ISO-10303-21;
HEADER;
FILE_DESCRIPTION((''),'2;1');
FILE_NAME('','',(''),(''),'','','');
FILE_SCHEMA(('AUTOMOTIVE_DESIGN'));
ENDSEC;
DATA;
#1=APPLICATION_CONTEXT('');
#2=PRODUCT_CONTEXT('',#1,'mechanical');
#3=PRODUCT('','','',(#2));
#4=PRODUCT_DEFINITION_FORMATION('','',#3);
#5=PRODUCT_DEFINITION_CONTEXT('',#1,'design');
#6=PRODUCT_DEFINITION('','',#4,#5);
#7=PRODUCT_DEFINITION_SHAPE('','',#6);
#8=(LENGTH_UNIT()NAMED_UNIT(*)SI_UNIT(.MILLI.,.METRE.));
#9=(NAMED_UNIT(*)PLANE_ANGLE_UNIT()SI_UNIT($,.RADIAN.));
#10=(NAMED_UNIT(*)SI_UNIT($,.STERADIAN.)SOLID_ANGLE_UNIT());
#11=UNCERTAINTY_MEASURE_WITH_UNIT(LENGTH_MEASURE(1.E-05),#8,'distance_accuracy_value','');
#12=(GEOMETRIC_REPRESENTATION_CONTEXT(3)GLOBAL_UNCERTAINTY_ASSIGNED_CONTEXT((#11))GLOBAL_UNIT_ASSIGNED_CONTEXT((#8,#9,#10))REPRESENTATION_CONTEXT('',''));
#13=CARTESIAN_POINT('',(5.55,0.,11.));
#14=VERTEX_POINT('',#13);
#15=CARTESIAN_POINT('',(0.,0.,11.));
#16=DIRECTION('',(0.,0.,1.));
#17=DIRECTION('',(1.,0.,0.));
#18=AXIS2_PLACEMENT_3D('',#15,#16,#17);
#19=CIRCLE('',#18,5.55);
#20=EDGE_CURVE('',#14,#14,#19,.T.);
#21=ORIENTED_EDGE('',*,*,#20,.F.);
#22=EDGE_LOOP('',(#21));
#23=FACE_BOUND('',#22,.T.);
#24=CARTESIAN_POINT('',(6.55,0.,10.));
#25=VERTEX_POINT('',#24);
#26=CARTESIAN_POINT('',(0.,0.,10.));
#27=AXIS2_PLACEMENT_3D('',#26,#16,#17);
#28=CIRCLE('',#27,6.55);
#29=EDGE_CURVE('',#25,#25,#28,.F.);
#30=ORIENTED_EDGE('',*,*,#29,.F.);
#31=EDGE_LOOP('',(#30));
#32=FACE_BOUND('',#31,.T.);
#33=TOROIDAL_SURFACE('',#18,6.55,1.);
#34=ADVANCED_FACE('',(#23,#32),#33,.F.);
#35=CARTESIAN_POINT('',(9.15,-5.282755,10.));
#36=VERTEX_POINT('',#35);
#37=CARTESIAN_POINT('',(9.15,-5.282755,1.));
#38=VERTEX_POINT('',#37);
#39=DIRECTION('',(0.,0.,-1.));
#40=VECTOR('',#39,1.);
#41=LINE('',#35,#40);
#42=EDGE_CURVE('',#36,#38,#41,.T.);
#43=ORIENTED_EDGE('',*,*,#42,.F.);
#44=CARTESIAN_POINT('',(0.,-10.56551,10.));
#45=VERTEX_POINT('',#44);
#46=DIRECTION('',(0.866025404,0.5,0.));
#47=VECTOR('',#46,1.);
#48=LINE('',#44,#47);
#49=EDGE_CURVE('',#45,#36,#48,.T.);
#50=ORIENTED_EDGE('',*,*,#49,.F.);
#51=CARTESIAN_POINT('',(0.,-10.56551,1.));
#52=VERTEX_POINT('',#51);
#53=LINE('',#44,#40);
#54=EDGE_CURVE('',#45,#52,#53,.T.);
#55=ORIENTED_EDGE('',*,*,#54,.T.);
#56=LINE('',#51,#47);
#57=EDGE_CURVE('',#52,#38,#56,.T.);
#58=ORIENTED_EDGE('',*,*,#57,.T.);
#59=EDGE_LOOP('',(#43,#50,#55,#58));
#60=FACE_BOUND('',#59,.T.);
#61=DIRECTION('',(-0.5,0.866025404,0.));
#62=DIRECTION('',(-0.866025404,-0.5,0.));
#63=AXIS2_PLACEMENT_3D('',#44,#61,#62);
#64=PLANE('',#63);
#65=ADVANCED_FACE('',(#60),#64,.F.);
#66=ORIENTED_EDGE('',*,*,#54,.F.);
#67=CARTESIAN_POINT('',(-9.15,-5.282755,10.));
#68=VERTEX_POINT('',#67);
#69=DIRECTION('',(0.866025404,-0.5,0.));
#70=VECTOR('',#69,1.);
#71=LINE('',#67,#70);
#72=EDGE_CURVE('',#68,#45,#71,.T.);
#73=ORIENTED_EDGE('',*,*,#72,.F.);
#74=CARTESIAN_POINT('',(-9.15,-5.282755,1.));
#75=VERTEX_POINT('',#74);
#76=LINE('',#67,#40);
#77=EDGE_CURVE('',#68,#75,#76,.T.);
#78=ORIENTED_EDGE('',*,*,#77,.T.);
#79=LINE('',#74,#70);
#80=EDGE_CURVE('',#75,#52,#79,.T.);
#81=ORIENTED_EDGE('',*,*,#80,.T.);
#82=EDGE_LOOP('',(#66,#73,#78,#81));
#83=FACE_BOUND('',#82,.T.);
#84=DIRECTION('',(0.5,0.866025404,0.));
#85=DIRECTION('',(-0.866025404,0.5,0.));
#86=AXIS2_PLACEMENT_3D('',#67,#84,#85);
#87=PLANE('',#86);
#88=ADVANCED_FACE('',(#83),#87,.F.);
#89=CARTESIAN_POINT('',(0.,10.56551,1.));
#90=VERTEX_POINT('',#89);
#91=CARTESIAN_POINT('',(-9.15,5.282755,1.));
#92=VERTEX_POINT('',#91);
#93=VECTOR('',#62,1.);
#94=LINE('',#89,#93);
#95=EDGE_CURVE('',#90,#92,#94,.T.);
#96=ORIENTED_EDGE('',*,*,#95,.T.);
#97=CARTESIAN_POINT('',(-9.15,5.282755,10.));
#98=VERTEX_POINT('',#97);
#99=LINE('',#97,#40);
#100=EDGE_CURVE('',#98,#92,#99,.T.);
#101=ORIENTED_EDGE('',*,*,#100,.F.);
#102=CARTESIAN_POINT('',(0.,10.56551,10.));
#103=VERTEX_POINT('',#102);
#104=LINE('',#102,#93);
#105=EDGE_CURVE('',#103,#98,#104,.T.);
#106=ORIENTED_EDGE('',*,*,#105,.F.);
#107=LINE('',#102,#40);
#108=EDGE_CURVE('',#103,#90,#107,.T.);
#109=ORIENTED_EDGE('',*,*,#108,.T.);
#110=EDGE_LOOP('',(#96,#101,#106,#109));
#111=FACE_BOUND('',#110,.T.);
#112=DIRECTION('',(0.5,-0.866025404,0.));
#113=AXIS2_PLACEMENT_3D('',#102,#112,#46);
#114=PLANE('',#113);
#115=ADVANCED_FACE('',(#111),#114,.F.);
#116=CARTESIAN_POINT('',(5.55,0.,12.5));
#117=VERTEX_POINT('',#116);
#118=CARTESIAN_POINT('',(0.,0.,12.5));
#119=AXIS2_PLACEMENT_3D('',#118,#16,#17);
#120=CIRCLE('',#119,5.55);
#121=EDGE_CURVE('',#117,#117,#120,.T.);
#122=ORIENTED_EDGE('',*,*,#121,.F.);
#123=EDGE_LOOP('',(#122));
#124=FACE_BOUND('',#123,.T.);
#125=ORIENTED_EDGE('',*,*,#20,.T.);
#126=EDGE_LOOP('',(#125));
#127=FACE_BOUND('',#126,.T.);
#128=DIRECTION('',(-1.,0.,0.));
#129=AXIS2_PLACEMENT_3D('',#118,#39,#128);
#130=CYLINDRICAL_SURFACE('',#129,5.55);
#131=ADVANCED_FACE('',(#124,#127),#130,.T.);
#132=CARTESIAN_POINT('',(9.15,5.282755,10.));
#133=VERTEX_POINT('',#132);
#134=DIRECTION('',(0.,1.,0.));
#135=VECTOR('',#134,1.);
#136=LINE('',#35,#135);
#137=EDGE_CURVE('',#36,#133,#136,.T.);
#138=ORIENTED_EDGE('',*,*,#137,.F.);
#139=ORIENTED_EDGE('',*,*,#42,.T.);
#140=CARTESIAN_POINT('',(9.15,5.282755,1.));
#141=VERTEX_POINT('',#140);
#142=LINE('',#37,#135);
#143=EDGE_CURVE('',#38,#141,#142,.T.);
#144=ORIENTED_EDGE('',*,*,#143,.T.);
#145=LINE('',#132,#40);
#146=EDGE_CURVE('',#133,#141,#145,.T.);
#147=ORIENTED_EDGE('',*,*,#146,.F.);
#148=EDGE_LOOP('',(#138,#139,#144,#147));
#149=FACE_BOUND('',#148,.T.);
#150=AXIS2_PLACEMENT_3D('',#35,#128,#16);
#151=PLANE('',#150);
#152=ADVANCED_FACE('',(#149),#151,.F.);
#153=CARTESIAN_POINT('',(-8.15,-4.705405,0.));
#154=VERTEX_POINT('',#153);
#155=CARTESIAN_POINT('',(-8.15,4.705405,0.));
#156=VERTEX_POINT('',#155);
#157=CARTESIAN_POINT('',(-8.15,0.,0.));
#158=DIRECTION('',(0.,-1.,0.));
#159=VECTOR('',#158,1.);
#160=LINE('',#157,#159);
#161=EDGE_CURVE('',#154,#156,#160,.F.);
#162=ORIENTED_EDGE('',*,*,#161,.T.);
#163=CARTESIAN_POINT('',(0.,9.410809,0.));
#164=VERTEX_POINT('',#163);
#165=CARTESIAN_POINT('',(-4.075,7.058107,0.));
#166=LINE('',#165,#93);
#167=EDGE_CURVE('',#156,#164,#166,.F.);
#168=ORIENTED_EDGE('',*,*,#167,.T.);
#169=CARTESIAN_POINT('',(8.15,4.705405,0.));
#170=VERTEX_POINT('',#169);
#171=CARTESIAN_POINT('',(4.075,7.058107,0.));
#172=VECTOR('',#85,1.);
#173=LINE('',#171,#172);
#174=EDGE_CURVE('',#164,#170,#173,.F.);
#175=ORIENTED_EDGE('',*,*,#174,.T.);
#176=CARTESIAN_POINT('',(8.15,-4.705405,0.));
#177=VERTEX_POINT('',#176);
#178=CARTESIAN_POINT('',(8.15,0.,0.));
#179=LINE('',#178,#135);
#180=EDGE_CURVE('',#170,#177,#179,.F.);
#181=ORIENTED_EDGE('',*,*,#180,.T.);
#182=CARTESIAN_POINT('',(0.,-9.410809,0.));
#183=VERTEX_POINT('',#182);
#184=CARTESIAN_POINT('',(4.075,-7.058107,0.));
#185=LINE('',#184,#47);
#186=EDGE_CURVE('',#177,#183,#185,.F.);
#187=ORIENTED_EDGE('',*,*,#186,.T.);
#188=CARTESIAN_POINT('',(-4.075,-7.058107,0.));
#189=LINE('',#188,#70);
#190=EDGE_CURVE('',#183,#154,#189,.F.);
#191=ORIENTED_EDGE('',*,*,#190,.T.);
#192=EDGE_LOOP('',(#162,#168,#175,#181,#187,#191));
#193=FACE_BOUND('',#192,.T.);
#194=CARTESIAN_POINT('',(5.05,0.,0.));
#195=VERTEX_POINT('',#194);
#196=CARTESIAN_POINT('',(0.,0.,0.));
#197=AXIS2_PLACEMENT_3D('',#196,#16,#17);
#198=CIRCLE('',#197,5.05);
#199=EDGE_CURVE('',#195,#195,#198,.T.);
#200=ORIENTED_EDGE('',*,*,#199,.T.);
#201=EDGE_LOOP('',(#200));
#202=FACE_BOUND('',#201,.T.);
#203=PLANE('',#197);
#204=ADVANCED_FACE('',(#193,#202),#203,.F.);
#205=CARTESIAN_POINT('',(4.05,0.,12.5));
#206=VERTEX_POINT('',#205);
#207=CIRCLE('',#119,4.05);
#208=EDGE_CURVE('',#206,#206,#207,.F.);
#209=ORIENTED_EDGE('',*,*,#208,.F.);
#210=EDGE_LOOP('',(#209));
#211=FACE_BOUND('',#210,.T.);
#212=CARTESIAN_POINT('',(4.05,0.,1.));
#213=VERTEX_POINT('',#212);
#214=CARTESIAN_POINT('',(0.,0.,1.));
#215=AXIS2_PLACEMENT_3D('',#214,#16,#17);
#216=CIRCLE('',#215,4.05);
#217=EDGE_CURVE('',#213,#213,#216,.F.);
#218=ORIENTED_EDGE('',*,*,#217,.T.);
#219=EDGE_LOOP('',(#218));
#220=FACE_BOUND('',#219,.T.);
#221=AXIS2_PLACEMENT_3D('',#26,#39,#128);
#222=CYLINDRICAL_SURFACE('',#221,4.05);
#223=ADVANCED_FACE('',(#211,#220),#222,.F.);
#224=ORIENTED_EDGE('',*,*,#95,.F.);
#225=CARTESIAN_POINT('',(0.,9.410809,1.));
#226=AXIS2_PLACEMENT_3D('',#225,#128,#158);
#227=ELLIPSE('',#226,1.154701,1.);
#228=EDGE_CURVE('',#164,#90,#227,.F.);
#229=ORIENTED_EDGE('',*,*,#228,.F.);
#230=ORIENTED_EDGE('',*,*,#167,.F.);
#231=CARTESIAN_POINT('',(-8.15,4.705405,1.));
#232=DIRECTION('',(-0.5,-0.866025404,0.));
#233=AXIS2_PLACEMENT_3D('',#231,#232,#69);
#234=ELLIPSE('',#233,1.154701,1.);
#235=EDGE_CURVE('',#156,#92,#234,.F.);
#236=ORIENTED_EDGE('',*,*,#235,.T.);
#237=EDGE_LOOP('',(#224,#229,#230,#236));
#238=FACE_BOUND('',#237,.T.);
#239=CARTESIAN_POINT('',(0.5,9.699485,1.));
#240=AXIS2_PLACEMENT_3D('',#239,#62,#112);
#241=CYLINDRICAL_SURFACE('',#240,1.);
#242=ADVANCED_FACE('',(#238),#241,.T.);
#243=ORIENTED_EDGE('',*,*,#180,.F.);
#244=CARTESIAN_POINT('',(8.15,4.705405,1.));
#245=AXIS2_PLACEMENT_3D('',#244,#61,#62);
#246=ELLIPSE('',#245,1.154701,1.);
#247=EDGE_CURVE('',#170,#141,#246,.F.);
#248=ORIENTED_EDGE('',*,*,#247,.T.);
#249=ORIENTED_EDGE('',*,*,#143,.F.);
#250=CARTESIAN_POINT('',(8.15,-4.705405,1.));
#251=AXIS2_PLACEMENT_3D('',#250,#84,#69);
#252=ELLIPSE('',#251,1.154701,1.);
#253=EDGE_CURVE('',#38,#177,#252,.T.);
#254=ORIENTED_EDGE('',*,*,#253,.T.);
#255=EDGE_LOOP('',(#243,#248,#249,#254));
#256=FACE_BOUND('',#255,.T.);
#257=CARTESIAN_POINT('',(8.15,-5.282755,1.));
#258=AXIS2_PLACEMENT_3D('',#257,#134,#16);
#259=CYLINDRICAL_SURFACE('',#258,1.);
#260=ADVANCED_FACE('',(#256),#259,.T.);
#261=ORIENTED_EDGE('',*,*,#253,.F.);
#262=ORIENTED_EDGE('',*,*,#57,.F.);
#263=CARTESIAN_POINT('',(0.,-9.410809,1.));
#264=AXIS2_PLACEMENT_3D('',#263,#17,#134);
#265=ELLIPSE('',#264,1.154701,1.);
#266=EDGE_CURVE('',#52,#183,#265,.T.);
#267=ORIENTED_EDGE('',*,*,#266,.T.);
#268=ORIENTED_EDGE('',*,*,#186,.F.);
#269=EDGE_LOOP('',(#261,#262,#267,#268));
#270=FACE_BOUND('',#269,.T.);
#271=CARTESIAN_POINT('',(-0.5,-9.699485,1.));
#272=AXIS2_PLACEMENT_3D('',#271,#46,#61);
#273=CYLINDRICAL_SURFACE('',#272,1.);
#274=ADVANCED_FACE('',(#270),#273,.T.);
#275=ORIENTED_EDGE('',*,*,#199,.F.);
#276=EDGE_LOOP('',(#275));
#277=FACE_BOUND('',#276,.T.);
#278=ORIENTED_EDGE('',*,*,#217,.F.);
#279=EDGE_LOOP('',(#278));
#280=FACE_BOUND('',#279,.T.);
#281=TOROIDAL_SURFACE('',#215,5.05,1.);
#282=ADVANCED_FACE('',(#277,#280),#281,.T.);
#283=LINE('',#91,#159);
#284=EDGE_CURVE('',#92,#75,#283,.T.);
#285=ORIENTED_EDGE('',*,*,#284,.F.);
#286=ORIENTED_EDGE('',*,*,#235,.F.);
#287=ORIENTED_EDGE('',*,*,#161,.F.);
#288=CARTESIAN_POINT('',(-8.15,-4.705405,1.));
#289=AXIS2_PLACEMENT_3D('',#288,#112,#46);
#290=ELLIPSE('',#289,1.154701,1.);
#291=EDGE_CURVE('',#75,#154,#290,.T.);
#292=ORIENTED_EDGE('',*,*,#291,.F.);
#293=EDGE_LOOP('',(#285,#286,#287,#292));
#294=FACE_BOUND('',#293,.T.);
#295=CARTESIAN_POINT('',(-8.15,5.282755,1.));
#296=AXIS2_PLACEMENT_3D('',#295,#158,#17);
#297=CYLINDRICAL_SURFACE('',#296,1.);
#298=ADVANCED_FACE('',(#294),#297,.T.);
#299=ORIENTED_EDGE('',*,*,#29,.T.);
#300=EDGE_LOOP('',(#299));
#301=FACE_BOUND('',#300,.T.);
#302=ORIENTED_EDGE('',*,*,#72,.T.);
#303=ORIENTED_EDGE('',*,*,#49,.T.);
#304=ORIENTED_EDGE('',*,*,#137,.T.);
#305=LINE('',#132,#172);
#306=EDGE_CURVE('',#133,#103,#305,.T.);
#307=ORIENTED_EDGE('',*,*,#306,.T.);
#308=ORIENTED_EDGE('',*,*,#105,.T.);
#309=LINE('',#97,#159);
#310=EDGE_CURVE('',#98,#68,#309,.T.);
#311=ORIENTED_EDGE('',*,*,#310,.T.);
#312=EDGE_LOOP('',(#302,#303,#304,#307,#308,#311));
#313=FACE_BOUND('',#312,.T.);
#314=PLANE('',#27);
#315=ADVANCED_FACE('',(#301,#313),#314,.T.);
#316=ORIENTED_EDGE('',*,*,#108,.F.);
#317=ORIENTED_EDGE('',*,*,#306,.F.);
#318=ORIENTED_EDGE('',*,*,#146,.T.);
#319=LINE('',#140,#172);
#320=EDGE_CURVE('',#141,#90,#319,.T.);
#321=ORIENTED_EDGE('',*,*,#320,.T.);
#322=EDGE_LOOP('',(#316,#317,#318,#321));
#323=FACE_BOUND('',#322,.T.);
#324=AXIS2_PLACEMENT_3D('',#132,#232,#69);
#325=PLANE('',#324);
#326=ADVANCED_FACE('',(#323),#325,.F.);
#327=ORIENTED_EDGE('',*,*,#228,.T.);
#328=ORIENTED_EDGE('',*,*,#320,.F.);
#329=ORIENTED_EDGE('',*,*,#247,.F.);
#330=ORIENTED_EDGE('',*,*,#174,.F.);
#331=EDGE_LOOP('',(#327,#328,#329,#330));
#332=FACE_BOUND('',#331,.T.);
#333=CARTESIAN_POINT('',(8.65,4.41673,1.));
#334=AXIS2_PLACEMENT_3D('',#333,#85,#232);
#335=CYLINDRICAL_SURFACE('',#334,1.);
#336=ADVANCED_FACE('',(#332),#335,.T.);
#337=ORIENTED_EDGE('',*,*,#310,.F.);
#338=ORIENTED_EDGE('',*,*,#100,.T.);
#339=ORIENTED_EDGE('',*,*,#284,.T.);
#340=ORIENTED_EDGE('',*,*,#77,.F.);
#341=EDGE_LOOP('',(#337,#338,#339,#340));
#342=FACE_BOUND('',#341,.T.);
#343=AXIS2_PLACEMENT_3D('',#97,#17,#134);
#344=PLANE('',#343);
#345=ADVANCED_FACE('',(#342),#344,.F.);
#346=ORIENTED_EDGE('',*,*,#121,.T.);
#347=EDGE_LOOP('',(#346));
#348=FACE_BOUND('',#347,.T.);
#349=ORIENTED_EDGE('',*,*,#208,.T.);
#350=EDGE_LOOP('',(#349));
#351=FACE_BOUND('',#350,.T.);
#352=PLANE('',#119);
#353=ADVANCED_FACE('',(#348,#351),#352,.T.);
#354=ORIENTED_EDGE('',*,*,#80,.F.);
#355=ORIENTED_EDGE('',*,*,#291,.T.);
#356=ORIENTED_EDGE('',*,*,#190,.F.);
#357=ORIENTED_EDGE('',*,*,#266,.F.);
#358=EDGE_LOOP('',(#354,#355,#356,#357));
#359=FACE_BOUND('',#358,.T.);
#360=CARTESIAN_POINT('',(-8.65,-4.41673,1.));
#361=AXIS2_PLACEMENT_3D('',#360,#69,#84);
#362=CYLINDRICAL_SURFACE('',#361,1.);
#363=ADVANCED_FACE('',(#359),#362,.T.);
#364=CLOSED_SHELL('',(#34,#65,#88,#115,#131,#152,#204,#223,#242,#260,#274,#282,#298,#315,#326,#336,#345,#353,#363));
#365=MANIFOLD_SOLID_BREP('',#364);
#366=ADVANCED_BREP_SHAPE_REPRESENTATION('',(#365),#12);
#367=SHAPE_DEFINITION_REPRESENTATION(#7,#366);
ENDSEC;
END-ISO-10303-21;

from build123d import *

# Parameters (mm, degrees)
SKETCH1_R           = 4.05
BOSS_EXTRUDE1_DEPTH = 10
SKETCH2_R           = 5.55
SKETCH2_R_2         = 4.05
BOSS_EXTRUDE2_DEPTH = 2.5
FILLET1_R           = 1


with BuildPart() as part:
    # Sketch1 → Boss-Extrude1 (new body)
    with BuildSketch(Plane.XY):
        Polygon((9.15, -5.282754963), (9.15, 5.282754963), (0, 10.565509926), (-9.15, 5.282754963), (-9.15, -5.282754963), (0, -10.565509926), align=None)
        Circle(SKETCH1_R, mode=Mode.SUBTRACT)
    extrude(amount=BOSS_EXTRUDE1_DEPTH)

    # Sketch2 → Boss-Extrude2 (add)
    with BuildSketch(Plane.XY.offset(10)):
        Circle(SKETCH2_R)
        Circle(SKETCH2_R_2, mode=Mode.SUBTRACT)
    extrude(amount=BOSS_EXTRUDE2_DEPTH)

    # Fillet1
    fillet1_edges = [part.edges().sort_by_distance(p)[0] for p in [
        (-4.05, 0, 0),
        (-5.55, 0, 10),
        (-4.575, -7.924132445, 0),
        (-9.15, 0, 0),
        (-4.575, 7.924132445, 0),
        (4.575, 7.924132445, 0),
        (9.15, 0, 0),
        (4.575, -7.924132445, 0),
    ]]
    fillet(fillet1_edges, radius=FILLET1_R)


solid = part.part
